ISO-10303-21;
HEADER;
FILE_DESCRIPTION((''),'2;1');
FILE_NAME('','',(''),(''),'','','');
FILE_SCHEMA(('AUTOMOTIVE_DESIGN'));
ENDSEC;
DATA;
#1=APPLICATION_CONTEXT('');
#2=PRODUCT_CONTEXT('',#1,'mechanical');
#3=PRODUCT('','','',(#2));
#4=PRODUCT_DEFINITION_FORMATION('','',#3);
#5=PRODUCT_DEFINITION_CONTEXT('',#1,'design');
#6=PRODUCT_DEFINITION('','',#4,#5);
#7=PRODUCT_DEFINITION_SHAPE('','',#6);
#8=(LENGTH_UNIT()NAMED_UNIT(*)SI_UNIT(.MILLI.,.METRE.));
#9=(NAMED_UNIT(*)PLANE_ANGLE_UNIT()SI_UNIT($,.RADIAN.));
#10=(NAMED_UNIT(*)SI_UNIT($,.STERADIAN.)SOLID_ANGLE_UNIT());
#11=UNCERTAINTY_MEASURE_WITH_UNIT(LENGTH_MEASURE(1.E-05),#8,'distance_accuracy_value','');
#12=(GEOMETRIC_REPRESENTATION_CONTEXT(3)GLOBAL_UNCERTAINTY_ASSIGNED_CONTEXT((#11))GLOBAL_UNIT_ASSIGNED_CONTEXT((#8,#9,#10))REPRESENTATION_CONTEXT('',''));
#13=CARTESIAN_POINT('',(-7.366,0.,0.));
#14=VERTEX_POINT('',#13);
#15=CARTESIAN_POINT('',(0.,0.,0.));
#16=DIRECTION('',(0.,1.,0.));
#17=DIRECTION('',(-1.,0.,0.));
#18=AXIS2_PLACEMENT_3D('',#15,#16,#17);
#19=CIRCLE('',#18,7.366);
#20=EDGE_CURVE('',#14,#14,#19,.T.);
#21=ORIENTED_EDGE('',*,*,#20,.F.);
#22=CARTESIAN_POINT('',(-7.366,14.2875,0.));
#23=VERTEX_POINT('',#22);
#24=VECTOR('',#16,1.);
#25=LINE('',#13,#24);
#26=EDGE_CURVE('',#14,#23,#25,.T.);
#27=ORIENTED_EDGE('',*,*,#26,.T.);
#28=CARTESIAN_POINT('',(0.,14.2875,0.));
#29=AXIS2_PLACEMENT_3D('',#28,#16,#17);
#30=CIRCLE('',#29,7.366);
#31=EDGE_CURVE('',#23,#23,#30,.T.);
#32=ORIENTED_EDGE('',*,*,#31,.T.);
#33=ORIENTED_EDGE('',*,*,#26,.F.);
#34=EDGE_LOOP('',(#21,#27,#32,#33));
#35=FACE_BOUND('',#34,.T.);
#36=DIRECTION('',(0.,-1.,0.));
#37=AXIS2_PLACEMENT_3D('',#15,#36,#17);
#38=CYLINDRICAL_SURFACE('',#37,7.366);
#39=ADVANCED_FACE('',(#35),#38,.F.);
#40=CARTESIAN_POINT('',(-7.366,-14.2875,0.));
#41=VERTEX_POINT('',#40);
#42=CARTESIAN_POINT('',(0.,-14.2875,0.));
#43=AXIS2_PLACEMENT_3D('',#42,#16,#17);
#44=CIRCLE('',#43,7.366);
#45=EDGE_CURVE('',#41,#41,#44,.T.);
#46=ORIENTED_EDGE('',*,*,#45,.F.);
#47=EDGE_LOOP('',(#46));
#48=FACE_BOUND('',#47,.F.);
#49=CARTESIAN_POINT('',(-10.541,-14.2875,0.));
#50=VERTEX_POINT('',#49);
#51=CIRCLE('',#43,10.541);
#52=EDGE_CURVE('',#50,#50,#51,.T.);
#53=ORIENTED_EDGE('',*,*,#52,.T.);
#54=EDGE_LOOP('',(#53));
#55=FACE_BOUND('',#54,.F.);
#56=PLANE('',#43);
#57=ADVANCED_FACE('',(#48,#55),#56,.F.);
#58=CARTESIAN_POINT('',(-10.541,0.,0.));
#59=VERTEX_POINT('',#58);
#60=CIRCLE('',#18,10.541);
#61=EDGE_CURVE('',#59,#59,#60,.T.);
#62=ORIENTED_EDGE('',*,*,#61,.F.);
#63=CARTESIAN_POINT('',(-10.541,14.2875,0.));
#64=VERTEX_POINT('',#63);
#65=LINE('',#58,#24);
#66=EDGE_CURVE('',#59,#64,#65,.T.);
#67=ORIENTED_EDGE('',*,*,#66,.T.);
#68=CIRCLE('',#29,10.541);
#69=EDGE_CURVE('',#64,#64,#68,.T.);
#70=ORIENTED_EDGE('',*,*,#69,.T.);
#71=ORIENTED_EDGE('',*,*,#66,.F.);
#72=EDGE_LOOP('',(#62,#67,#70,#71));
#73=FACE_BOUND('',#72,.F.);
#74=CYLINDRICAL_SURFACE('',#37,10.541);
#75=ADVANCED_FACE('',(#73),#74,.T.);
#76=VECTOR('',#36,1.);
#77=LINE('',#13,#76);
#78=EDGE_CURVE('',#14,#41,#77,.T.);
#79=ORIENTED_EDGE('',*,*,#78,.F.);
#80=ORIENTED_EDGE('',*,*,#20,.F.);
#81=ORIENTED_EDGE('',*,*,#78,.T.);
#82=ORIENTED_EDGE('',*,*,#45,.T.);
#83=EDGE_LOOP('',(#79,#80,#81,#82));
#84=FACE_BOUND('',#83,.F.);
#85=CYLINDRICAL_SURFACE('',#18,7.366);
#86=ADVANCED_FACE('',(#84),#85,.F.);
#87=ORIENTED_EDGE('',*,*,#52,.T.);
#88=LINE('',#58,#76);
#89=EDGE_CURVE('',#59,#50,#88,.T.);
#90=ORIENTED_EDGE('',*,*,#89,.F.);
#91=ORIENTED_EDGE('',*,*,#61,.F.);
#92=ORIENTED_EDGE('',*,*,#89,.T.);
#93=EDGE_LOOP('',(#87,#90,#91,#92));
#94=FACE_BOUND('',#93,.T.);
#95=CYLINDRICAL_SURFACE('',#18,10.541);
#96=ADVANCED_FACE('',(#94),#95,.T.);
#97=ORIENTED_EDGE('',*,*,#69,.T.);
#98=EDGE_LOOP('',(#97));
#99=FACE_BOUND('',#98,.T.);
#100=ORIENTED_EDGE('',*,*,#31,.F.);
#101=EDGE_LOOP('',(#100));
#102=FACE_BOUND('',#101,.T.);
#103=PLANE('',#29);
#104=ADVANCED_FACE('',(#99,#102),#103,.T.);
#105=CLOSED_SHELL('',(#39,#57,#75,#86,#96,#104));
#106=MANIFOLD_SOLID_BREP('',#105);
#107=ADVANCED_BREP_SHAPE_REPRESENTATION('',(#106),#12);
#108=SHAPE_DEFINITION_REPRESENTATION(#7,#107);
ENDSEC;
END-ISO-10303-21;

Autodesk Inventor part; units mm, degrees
ref_plane "YZ Plane" through (0, 0, 0) normal (1, 0, 0) x (0, 1, 0)
ref_plane "XZ Plane" through (0, 0, 0) normal (0, 1, 0) x (-1, 0, 0)
ref_plane "XY Plane" through (0, 0, 0) normal (0, 0, 1) x (1, 0, 0)
sketch "Sketch1" plane through (0, 0, 0) normal (0, 1, 0) x (-1, 0, 0)
  circle A0 centre (0, 0) radius 7.366
  circle A1 centre (0, 0) radius 10.541
  dimension "d0" = 14.732
  dimension "d1" = 3.175
extrude "Extrusion1" add sketch "Sketch1" along normal mid plane 28.575
properties part number "CL-S-001" material "ABS Plastic"
